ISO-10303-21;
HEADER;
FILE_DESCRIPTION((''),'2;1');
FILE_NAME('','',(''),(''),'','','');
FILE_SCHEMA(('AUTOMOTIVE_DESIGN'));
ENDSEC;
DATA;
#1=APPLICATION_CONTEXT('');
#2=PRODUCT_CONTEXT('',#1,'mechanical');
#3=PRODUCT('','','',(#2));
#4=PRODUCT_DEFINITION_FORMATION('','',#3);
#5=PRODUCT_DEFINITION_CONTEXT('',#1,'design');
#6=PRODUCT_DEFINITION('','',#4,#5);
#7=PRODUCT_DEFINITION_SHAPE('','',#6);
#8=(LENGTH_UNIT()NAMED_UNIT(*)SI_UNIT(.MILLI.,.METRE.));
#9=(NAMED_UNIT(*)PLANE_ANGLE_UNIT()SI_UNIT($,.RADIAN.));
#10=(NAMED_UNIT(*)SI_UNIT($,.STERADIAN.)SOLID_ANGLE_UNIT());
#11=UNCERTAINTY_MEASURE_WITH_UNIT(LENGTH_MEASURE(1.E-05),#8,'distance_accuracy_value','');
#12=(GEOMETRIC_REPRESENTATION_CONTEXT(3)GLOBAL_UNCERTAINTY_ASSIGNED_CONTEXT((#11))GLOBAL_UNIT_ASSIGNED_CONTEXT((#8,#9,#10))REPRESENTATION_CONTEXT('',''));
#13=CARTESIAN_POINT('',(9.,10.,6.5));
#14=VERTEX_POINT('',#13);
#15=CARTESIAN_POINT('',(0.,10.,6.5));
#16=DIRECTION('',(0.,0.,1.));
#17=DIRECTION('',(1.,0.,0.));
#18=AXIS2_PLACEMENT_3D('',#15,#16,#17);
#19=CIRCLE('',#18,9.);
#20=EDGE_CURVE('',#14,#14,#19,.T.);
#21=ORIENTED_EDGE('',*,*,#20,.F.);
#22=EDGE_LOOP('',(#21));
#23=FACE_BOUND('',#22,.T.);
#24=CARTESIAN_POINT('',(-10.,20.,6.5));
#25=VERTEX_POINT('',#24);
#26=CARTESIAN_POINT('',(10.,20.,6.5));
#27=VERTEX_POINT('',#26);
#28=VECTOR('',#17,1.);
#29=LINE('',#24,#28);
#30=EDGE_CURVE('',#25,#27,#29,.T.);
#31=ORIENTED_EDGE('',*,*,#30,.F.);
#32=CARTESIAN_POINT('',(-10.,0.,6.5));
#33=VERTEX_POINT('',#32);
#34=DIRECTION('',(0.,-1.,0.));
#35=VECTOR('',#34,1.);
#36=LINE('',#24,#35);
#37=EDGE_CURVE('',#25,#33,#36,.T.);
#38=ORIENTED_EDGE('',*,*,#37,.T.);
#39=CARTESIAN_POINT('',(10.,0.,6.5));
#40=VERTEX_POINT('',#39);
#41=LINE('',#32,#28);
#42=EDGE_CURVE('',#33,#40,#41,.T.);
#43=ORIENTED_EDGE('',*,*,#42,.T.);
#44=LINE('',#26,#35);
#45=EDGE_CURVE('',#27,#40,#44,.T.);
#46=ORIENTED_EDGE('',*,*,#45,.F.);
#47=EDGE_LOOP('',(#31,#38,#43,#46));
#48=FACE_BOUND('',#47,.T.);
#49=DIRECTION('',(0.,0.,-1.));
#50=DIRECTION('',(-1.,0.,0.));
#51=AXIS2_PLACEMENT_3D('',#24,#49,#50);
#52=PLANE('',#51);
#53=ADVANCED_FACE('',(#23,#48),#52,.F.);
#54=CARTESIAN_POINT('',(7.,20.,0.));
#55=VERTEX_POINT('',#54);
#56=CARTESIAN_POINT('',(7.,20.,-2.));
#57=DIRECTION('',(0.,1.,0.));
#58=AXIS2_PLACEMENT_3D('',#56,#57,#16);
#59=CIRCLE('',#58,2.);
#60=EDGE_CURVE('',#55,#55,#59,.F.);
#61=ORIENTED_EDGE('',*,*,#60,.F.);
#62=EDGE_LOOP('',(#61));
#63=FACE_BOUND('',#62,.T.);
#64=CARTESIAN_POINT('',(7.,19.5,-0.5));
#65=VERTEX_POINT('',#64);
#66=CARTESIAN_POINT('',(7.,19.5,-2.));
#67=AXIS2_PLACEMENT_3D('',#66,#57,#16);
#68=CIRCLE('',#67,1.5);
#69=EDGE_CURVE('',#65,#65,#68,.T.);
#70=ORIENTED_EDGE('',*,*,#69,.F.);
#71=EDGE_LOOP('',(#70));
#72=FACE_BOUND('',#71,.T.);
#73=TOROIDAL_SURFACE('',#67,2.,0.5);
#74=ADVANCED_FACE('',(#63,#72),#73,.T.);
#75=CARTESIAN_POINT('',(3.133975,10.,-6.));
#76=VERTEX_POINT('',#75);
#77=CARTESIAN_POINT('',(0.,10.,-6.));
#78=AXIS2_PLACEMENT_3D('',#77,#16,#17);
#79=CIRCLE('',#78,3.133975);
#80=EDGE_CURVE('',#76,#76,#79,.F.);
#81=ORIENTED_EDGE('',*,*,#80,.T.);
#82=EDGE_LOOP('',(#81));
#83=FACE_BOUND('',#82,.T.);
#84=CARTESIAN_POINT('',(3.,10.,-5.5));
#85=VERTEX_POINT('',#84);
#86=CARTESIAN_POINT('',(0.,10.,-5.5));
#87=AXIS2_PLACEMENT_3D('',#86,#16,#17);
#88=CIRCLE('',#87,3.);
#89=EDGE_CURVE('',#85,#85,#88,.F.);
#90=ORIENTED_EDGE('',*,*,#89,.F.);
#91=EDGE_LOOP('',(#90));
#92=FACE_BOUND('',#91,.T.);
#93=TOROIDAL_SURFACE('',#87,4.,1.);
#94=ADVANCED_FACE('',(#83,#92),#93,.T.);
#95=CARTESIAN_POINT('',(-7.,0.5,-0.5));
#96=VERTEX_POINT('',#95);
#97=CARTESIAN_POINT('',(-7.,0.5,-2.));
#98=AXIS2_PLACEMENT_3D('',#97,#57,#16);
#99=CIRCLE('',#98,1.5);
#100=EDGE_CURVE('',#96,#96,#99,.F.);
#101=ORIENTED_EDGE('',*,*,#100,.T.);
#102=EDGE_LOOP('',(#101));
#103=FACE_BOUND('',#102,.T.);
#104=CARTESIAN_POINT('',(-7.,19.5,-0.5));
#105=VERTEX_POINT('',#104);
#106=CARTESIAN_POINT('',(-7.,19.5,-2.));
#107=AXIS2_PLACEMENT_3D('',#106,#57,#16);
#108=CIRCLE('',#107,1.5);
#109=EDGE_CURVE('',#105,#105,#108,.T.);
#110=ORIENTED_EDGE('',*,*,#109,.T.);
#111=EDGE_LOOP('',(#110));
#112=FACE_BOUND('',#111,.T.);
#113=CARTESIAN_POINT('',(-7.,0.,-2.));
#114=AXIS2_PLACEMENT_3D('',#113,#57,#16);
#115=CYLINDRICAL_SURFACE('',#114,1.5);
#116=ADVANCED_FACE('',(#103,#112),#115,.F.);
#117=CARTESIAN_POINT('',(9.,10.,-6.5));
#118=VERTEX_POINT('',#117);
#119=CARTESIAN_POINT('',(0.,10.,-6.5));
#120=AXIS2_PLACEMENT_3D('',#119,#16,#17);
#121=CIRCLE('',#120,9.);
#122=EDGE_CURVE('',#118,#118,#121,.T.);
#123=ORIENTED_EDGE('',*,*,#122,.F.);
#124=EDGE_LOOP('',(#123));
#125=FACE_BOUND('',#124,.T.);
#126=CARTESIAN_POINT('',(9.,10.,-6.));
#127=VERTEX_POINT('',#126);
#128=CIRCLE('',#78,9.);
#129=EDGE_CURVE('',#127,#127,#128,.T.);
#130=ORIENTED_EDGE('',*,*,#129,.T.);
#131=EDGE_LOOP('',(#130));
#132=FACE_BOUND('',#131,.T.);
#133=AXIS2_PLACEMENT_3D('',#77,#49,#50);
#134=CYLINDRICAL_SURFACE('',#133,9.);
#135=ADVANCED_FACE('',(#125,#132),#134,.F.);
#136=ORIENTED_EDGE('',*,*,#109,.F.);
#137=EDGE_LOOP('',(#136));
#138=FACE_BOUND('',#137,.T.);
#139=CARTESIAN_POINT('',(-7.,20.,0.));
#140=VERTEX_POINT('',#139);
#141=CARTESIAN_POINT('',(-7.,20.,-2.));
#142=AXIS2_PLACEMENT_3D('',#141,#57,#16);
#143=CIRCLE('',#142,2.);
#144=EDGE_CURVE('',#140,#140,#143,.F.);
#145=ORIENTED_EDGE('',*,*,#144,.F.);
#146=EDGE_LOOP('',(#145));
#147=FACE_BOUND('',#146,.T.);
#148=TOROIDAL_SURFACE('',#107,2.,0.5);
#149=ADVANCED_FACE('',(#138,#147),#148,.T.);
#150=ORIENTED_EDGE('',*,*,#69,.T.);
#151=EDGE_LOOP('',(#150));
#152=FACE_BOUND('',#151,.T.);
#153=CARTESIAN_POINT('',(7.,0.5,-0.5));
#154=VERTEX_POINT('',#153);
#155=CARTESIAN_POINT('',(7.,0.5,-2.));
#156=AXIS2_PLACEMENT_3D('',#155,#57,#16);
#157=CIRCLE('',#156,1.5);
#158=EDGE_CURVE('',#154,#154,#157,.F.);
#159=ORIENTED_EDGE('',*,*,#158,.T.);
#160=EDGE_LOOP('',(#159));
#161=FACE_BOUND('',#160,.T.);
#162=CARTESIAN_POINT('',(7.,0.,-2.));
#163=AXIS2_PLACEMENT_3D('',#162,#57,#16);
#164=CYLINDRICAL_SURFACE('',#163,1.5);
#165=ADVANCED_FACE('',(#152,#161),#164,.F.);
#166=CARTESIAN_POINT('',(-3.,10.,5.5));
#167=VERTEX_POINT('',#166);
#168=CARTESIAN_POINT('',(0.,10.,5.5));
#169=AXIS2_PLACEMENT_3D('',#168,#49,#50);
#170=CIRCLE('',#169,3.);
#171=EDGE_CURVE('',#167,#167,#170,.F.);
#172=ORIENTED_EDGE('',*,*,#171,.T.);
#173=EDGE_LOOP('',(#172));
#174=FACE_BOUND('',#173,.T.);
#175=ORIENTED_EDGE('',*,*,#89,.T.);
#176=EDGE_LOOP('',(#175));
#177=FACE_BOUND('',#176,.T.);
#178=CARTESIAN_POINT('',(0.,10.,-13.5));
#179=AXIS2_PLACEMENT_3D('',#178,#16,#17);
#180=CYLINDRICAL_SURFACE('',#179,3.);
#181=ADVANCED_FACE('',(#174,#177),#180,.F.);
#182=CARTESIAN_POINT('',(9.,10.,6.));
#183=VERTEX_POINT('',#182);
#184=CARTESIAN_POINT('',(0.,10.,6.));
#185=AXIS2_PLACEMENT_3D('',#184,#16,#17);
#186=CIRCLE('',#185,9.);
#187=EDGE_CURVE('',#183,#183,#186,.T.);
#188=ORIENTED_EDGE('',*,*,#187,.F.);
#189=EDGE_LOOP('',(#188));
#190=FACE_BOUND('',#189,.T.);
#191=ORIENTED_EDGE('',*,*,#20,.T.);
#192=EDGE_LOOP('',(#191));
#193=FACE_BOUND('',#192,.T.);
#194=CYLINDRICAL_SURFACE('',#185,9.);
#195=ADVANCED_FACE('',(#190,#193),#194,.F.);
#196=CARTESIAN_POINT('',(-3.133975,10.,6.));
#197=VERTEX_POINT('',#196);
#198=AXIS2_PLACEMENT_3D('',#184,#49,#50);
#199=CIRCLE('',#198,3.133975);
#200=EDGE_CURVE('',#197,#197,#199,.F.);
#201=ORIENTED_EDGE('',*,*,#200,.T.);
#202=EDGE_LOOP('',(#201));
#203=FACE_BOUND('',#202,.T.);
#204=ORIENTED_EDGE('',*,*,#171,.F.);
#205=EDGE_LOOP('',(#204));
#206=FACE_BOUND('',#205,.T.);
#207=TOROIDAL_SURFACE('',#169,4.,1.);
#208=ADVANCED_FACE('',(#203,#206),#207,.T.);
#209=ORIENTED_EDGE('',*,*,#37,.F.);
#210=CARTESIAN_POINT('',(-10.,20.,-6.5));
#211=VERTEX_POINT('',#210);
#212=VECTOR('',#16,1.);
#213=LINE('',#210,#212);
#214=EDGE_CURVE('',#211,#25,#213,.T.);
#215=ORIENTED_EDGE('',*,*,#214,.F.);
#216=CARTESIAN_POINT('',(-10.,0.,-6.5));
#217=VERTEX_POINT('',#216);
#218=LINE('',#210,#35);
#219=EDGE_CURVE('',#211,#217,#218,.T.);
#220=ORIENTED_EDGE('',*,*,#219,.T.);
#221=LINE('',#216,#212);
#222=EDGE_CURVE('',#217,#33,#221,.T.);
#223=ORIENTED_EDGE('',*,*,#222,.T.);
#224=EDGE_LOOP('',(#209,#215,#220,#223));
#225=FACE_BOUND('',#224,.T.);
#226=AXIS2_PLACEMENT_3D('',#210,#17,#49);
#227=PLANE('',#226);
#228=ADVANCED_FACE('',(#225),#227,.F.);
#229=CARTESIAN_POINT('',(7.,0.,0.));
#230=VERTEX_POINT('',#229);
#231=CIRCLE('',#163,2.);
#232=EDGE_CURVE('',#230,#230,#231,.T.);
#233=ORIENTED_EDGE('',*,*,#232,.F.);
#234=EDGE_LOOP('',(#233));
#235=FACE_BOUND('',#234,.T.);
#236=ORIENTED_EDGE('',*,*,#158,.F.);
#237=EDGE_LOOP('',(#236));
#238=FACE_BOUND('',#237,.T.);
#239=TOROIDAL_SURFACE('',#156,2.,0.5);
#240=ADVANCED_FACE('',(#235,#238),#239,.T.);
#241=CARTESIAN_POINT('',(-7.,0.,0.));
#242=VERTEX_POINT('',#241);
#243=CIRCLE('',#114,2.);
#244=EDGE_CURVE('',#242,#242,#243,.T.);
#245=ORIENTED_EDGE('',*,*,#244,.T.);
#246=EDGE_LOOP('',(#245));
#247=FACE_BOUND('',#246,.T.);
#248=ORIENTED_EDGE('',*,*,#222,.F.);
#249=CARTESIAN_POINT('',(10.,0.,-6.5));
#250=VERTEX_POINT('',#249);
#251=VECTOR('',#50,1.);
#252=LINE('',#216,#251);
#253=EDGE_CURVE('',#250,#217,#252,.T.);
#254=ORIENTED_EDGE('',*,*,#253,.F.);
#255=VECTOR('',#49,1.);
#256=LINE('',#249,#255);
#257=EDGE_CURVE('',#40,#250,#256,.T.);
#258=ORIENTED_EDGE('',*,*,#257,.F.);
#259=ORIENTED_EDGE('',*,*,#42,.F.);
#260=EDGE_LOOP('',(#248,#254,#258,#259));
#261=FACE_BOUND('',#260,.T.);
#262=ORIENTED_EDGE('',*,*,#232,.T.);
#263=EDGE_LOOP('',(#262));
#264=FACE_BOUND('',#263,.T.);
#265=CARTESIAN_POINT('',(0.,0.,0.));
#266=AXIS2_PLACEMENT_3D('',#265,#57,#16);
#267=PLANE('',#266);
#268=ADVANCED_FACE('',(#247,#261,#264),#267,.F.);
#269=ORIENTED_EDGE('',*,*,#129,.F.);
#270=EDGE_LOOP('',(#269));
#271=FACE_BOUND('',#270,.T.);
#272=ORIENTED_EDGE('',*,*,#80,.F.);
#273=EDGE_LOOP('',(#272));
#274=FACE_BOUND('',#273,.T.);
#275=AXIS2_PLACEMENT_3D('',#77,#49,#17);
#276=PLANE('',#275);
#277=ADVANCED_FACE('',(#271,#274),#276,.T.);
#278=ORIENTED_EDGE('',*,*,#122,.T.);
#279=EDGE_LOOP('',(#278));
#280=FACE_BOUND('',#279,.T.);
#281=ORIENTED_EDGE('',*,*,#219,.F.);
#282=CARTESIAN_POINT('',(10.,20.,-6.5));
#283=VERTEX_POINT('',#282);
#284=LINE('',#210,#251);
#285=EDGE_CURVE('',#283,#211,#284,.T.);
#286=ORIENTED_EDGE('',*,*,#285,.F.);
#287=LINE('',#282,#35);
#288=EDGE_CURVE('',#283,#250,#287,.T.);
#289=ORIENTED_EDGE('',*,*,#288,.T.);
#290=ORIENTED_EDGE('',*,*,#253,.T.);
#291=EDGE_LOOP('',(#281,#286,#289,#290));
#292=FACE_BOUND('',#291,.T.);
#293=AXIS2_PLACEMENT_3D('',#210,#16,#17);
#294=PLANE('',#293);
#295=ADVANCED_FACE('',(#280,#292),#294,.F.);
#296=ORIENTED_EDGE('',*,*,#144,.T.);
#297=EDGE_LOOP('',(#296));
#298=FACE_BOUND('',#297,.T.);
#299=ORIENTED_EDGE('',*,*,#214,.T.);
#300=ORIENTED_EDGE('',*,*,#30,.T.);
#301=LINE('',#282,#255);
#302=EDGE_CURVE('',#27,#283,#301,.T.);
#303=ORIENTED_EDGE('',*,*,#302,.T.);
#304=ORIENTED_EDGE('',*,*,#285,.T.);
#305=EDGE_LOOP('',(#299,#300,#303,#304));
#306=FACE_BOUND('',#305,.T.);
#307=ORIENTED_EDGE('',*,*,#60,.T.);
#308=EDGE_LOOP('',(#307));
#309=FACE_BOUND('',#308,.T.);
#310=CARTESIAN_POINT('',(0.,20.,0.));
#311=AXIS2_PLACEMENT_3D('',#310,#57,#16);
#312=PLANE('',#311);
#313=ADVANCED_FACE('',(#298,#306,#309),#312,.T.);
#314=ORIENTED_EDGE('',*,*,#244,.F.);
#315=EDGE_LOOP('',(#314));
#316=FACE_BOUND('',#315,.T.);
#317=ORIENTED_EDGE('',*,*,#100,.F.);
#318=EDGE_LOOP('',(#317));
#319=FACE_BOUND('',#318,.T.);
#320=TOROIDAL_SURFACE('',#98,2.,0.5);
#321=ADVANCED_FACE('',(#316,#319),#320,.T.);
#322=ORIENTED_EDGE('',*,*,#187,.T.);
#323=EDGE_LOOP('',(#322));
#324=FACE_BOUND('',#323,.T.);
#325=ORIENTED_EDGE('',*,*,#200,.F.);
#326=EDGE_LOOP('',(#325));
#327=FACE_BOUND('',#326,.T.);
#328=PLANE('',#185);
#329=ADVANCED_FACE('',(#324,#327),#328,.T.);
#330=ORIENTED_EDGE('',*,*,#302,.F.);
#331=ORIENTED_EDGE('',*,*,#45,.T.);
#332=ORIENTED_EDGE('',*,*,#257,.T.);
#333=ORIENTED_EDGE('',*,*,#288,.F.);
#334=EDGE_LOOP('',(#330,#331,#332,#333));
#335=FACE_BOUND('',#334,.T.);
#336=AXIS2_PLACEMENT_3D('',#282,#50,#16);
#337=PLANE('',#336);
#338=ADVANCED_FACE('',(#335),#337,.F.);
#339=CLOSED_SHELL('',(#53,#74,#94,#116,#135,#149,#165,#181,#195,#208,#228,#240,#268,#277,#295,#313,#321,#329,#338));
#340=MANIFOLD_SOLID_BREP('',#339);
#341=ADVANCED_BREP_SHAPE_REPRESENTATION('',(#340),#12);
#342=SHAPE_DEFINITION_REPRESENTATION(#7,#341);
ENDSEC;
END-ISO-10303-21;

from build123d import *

# Parameters (mm, degrees)
ESQUISSE1_W             = 20
ESQUISSE1_H             = 13
BOSS_EXTRU_1_DEPTH      = 20
ESQUISSE2_R             = 3
ENL_V_MAT_EXTRU_1_DEPTH = 20
ESQUISSE3_R             = 1.5
ENL_V_MAT_EXTRU_2_DEPTH = 20
CONG_1_R                = 1
CONG_2_R                = 0.5
CONG_3_R                = 0.5
CONG_4_R                = 0.5
CONG_5_R                = 0.5
CONG_6_R                = 1
ESQUISSE4_R             = 9
ESQUISSE4_R_2           = 3
ENL_V_MAT_EXTRU_3_DEPTH = 0.5


with BuildPart() as part:
    # Esquisse1 → Boss.-Extru.1 (new body)
    with BuildSketch(Plane(origin=(0, 0, 0), x_dir=(1, 0, 0), z_dir=(0, 1, 0))):
        Rectangle(ESQUISSE1_W, ESQUISSE1_H)
    extrude(amount=BOSS_EXTRU_1_DEPTH)

    # Esquisse2 → Enlèv. mat.-Extru.1 (cut)
    with BuildSketch(Plane.XY.offset(6.5)):
        with Locations((0, 10)):
            Circle(ESQUISSE2_R)
    extrude(amount=-ENL_V_MAT_EXTRU_1_DEPTH, mode=Mode.SUBTRACT)

    # Esquisse3 → Enlèv. mat.-Extru.2 (cut)
    with BuildSketch(Plane(origin=(0, 20, 0), x_dir=(1, 0, 0), z_dir=(0, 1, 0))):
        with Locations((-7, 2)):
            Circle(ESQUISSE3_R)
        with Locations((7, 2)):
            Circle(ESQUISSE3_R)
    extrude(amount=-ENL_V_MAT_EXTRU_2_DEPTH, mode=Mode.SUBTRACT)

    # Congé1
    cong_1_edges = [part.edges().sort_by_distance(p)[0] for p in [
        (-3, 10, 6.5),
    ]]
    fillet(cong_1_edges, radius=CONG_1_R)

    # Congé2
    cong_2_edges = [part.edges().sort_by_distance(p)[0] for p in [
        (-8.5, 20, -2),
    ]]
    fillet(cong_2_edges, radius=CONG_2_R)

    # Congé3
    cong_3_edges = [part.edges().sort_by_distance(p)[0] for p in [
        (5.5, 20, -2),
    ]]
    fillet(cong_3_edges, radius=CONG_3_R)

    # Congé4
    cong_4_edges = [part.edges().sort_by_distance(p)[0] for p in [
        (-8.5, 0, -2),
    ]]
    fillet(cong_4_edges, radius=CONG_4_R)

    # Congé5
    cong_5_edges = [part.edges().sort_by_distance(p)[0] for p in [
        (5.5, 0, -2),
    ]]
    fillet(cong_5_edges, radius=CONG_5_R)

    # Congé6
    cong_6_edges = [part.edges().sort_by_distance(p)[0] for p in [
        (-3, 10, -6.5),
    ]]
    fillet(cong_6_edges, radius=CONG_6_R)

    # Esquisse4 → Enlèv. mat.-Extru.3 (cut)
    with BuildSketch(Plane.XY.offset(6.5)):
        with Locations((0, 10)):
            Circle(ESQUISSE4_R)
        with Locations((0, 10)):
            Circle(ESQUISSE4_R_2, mode=Mode.SUBTRACT)
    enl_v_mat_extru_3 = extrude(amount=-ENL_V_MAT_EXTRU_3_DEPTH, mode=Mode.SUBTRACT)

    # Symétrie1: Enlèv. mat.-Extru.3 across plane
    add(enl_v_mat_extru_3.mirror(Plane.XY), mode=Mode.SUBTRACT)


solid = part.part
